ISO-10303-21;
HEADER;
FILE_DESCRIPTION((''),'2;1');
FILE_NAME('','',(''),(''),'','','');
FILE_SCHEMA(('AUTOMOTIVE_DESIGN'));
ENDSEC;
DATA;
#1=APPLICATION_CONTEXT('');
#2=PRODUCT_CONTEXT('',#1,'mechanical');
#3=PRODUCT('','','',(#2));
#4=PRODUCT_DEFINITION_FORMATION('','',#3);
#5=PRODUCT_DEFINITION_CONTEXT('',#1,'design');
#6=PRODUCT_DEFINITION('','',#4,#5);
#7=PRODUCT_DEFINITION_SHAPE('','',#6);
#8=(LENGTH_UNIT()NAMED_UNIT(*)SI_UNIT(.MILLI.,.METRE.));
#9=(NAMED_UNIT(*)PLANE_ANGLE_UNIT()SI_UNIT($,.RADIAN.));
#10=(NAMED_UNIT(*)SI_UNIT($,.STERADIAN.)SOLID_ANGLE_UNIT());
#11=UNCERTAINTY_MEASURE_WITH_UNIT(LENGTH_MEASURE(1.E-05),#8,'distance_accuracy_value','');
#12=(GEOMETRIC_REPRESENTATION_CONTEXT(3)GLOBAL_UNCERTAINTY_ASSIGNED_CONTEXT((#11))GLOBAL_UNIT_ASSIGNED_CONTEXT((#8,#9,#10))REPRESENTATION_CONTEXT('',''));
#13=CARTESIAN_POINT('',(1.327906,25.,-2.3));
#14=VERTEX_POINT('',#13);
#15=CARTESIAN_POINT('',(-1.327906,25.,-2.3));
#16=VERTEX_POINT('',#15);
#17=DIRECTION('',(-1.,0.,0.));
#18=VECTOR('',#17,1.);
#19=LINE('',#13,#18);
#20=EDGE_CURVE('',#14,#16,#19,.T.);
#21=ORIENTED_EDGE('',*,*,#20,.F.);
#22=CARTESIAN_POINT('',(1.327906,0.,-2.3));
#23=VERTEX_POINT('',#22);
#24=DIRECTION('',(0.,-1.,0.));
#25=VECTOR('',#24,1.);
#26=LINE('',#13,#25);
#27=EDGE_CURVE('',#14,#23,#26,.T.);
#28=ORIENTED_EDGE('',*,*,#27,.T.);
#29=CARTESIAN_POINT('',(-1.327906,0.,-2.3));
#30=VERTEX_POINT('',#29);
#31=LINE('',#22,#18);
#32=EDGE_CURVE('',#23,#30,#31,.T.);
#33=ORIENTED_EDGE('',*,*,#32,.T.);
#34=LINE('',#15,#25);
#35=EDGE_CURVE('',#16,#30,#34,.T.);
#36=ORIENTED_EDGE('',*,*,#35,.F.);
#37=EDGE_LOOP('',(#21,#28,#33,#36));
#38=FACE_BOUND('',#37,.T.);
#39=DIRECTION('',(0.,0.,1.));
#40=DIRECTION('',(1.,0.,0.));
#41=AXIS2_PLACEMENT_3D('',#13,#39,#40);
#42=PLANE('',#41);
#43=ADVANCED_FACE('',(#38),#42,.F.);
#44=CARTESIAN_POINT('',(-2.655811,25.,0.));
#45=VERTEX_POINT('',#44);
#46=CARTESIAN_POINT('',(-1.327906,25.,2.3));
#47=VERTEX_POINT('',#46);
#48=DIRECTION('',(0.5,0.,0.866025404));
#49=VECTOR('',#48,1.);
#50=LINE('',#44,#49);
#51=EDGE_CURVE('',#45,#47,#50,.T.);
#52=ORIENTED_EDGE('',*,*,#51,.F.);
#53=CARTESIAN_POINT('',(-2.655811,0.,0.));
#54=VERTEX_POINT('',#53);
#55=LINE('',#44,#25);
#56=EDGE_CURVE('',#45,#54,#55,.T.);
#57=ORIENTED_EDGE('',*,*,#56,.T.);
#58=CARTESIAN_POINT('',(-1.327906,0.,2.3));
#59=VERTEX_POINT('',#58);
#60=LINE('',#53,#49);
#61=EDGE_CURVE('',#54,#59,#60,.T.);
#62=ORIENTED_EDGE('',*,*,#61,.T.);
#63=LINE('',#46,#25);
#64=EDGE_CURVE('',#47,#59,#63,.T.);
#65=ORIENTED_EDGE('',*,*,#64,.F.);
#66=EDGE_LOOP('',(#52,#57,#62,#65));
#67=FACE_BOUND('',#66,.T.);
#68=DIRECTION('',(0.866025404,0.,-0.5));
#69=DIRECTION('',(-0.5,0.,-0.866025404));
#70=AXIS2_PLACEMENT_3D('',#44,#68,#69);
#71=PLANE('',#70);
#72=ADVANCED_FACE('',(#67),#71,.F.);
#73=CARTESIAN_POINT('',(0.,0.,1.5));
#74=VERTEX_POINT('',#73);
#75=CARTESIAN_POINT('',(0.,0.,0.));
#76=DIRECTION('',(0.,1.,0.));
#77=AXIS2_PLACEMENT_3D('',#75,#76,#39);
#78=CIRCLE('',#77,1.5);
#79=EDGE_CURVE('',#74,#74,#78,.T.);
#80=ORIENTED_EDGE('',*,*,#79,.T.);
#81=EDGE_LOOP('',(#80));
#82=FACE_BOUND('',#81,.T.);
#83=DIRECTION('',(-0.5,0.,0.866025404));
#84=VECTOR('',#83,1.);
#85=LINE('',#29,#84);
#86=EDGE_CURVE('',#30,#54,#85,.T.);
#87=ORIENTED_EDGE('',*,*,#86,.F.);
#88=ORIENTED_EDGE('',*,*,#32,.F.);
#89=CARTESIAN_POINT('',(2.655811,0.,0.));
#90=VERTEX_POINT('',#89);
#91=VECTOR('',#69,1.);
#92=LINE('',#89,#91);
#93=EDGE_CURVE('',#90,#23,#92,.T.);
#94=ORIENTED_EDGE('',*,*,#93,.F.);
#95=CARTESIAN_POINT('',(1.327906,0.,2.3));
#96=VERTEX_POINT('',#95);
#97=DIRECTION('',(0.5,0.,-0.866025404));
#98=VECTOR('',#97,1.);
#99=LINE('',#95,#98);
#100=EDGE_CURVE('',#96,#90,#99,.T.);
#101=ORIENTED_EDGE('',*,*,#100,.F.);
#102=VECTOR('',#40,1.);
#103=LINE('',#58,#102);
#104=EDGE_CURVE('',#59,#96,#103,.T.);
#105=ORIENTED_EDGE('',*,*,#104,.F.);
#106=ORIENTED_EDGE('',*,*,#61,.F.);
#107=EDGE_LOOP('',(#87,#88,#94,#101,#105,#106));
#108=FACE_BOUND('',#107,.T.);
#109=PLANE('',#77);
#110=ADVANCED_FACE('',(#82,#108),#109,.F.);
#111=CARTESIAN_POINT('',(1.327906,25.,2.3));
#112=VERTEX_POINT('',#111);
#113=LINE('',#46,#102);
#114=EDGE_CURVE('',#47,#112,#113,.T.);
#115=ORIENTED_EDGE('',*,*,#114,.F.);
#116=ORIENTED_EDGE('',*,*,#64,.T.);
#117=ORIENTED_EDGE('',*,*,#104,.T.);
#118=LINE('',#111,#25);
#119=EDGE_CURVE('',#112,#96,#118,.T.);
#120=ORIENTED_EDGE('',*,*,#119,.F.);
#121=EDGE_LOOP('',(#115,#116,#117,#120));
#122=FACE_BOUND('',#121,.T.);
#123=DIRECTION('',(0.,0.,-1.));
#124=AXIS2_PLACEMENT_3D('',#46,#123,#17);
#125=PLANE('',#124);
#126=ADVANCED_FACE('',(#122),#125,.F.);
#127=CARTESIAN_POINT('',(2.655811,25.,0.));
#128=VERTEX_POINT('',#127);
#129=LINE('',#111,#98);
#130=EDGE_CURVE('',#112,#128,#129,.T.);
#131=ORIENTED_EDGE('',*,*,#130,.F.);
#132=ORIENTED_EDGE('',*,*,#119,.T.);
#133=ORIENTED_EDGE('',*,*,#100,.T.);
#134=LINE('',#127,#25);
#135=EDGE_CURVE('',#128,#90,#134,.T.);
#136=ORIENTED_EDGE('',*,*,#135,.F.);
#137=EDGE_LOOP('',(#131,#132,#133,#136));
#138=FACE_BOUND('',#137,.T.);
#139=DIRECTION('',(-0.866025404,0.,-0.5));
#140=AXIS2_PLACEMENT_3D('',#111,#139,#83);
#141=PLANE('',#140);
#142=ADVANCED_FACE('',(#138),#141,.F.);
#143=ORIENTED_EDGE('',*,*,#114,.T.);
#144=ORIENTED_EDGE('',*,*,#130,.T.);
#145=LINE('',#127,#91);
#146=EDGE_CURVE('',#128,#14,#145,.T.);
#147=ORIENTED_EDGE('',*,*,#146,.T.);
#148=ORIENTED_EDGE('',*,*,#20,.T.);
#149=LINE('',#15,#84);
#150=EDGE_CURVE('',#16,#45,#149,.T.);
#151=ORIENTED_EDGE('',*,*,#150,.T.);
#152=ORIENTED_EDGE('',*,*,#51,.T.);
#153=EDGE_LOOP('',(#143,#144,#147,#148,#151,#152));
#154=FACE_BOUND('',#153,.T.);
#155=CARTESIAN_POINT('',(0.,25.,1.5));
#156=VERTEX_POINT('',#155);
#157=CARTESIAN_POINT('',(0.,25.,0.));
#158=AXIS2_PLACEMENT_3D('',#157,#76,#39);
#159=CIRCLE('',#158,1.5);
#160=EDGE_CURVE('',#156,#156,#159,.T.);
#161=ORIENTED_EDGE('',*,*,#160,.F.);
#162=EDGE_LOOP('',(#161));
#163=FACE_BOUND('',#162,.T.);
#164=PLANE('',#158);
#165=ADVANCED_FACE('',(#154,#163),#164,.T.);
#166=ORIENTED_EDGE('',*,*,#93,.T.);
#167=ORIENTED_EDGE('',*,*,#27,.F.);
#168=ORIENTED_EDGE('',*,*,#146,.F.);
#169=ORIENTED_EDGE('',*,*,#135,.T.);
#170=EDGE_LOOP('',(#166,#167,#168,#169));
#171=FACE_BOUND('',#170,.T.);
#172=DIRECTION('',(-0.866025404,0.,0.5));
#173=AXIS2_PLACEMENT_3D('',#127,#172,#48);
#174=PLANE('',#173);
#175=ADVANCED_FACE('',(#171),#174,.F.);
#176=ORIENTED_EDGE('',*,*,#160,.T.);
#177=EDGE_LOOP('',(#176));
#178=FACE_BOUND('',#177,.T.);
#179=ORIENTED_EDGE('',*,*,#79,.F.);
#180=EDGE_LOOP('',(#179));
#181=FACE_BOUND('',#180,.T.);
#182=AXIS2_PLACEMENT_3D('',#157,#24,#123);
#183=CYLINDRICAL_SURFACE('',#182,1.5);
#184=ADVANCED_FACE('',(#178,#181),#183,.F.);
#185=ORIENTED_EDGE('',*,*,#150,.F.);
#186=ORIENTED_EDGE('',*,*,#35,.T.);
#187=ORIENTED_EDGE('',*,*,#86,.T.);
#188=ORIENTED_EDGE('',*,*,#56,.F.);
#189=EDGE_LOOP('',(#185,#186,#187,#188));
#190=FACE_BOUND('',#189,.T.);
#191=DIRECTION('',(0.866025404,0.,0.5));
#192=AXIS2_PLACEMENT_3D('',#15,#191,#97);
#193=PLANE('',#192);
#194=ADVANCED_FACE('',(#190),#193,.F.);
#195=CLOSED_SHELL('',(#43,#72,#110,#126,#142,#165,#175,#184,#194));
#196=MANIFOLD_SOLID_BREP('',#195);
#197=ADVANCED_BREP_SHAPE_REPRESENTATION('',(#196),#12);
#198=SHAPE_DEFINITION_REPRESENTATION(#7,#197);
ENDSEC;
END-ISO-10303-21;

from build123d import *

# Parameters (mm, degrees)
SKETCH_1_R      = 1.5
EXTRUDE_1_DEPTH = 25


with BuildPart() as part:
    # 草图1 → 凸台-拉伸1 (new body)
    with BuildSketch(Plane(origin=(0, 0, 0), x_dir=(1, 0, 0), z_dir=(0, 1, 0))):
        Polygon((2.655811238, 0), (1.327905619, 2.3), (-1.327905619, 2.3), (-2.655811238, 0), (-1.327905619, -2.3), (1.327905619, -2.3), align=None)
        with Locations(Location((0, 0, 0), (0, 0, 270))):
            Circle(SKETCH_1_R, mode=Mode.SUBTRACT)
    extrude(amount=EXTRUDE_1_DEPTH)


solid = part.part
